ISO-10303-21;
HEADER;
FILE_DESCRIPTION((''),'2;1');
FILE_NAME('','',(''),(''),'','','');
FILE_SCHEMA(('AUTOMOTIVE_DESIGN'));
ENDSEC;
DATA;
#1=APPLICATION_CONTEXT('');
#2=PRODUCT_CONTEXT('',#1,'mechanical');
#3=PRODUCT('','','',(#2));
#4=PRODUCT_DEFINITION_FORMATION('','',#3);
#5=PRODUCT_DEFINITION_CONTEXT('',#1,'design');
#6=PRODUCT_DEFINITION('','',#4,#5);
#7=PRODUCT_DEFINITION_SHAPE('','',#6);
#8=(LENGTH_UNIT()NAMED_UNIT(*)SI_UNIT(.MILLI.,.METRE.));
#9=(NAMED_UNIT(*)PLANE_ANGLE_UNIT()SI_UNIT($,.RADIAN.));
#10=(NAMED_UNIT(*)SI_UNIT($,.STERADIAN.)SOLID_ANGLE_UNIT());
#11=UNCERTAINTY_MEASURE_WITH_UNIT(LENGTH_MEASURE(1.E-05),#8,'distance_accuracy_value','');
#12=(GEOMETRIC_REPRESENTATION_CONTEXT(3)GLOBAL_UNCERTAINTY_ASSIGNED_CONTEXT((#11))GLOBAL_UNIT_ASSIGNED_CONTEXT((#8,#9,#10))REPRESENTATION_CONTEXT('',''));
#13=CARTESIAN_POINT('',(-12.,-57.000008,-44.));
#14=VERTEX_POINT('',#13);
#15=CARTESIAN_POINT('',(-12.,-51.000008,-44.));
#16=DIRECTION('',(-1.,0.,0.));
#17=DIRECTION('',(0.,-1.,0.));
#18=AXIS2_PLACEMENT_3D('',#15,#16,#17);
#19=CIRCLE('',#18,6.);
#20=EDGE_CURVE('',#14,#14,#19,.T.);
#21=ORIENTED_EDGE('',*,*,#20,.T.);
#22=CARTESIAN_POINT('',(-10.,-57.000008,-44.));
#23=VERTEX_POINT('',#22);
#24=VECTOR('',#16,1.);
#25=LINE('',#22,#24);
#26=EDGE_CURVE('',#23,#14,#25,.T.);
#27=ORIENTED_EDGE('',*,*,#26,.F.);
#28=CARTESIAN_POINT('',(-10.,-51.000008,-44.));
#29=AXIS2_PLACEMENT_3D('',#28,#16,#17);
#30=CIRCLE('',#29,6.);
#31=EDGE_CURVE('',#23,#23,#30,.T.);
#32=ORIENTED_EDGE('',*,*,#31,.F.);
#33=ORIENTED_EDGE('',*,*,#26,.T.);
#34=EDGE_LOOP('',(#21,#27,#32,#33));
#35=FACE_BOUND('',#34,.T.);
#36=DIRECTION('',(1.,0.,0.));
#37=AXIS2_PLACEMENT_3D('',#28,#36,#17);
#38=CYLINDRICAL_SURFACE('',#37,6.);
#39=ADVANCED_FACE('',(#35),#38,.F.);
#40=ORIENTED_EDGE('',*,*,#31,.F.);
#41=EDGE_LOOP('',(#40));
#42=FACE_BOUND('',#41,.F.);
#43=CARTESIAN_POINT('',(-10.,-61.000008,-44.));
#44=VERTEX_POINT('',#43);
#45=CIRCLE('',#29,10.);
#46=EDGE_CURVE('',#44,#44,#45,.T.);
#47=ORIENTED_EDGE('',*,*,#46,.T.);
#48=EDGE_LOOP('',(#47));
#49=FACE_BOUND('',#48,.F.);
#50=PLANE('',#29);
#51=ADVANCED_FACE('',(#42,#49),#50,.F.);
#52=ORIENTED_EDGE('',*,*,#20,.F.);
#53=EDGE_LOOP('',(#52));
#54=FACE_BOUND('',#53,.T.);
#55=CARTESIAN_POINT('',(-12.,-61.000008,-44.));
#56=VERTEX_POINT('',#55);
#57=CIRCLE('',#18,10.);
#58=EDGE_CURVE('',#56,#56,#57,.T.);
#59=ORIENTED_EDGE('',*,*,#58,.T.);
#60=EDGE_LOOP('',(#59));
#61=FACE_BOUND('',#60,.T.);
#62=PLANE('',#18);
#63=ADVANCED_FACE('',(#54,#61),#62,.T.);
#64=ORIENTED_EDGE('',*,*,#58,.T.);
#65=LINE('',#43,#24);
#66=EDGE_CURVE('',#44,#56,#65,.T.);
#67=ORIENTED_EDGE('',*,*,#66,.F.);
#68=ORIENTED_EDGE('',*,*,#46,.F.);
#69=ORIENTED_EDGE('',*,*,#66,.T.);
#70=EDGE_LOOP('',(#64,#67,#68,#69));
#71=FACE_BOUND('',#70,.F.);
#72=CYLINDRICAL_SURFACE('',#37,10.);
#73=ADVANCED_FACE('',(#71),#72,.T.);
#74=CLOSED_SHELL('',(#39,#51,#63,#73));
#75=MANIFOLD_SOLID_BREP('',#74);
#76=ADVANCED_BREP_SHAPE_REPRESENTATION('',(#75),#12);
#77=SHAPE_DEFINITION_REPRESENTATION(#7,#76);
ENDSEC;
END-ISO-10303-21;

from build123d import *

# Parameters (mm, degrees)
SKETCH038_R   = 10
SKETCH038_R_2 = 6
PAD014_DEPTH  = 2


with BuildPart() as bearing_inner_back_left:
    # Sketch038 → Pad014 (new body)
    with BuildSketch(Plane.YZ):
        Circle(SKETCH038_R)
        Circle(SKETCH038_R_2, mode=Mode.SUBTRACT)
    extrude(amount=PAD014_DEPTH)


with BuildPart() as bearing_inner_back_left_1:
    # Body010 placement: moved
    add(bearing_inner_back_left.part.moved(Location((10, 51, -44))))


with BuildPart() as bearing_inner_front_left:
    # Part__Mirroring010: instance of bearing-inner-back-left
    add(bearing_inner_back_left_1.part.mirror(Plane(origin=(11, -4e-06, -44.000004), x_dir=(1, 0, 0), z_dir=(0, 1, 0))))


with BuildPart() as bearing_inner_front_right:
    # Part__Mirroring011: instance of bearing-inner-front-left
    add(bearing_inner_front_left.part.mirror(Plane(origin=(0, 0, 0), x_dir=(0, -1, 0), z_dir=(1, 0, 0))))


solid = bearing_inner_front_right.part
